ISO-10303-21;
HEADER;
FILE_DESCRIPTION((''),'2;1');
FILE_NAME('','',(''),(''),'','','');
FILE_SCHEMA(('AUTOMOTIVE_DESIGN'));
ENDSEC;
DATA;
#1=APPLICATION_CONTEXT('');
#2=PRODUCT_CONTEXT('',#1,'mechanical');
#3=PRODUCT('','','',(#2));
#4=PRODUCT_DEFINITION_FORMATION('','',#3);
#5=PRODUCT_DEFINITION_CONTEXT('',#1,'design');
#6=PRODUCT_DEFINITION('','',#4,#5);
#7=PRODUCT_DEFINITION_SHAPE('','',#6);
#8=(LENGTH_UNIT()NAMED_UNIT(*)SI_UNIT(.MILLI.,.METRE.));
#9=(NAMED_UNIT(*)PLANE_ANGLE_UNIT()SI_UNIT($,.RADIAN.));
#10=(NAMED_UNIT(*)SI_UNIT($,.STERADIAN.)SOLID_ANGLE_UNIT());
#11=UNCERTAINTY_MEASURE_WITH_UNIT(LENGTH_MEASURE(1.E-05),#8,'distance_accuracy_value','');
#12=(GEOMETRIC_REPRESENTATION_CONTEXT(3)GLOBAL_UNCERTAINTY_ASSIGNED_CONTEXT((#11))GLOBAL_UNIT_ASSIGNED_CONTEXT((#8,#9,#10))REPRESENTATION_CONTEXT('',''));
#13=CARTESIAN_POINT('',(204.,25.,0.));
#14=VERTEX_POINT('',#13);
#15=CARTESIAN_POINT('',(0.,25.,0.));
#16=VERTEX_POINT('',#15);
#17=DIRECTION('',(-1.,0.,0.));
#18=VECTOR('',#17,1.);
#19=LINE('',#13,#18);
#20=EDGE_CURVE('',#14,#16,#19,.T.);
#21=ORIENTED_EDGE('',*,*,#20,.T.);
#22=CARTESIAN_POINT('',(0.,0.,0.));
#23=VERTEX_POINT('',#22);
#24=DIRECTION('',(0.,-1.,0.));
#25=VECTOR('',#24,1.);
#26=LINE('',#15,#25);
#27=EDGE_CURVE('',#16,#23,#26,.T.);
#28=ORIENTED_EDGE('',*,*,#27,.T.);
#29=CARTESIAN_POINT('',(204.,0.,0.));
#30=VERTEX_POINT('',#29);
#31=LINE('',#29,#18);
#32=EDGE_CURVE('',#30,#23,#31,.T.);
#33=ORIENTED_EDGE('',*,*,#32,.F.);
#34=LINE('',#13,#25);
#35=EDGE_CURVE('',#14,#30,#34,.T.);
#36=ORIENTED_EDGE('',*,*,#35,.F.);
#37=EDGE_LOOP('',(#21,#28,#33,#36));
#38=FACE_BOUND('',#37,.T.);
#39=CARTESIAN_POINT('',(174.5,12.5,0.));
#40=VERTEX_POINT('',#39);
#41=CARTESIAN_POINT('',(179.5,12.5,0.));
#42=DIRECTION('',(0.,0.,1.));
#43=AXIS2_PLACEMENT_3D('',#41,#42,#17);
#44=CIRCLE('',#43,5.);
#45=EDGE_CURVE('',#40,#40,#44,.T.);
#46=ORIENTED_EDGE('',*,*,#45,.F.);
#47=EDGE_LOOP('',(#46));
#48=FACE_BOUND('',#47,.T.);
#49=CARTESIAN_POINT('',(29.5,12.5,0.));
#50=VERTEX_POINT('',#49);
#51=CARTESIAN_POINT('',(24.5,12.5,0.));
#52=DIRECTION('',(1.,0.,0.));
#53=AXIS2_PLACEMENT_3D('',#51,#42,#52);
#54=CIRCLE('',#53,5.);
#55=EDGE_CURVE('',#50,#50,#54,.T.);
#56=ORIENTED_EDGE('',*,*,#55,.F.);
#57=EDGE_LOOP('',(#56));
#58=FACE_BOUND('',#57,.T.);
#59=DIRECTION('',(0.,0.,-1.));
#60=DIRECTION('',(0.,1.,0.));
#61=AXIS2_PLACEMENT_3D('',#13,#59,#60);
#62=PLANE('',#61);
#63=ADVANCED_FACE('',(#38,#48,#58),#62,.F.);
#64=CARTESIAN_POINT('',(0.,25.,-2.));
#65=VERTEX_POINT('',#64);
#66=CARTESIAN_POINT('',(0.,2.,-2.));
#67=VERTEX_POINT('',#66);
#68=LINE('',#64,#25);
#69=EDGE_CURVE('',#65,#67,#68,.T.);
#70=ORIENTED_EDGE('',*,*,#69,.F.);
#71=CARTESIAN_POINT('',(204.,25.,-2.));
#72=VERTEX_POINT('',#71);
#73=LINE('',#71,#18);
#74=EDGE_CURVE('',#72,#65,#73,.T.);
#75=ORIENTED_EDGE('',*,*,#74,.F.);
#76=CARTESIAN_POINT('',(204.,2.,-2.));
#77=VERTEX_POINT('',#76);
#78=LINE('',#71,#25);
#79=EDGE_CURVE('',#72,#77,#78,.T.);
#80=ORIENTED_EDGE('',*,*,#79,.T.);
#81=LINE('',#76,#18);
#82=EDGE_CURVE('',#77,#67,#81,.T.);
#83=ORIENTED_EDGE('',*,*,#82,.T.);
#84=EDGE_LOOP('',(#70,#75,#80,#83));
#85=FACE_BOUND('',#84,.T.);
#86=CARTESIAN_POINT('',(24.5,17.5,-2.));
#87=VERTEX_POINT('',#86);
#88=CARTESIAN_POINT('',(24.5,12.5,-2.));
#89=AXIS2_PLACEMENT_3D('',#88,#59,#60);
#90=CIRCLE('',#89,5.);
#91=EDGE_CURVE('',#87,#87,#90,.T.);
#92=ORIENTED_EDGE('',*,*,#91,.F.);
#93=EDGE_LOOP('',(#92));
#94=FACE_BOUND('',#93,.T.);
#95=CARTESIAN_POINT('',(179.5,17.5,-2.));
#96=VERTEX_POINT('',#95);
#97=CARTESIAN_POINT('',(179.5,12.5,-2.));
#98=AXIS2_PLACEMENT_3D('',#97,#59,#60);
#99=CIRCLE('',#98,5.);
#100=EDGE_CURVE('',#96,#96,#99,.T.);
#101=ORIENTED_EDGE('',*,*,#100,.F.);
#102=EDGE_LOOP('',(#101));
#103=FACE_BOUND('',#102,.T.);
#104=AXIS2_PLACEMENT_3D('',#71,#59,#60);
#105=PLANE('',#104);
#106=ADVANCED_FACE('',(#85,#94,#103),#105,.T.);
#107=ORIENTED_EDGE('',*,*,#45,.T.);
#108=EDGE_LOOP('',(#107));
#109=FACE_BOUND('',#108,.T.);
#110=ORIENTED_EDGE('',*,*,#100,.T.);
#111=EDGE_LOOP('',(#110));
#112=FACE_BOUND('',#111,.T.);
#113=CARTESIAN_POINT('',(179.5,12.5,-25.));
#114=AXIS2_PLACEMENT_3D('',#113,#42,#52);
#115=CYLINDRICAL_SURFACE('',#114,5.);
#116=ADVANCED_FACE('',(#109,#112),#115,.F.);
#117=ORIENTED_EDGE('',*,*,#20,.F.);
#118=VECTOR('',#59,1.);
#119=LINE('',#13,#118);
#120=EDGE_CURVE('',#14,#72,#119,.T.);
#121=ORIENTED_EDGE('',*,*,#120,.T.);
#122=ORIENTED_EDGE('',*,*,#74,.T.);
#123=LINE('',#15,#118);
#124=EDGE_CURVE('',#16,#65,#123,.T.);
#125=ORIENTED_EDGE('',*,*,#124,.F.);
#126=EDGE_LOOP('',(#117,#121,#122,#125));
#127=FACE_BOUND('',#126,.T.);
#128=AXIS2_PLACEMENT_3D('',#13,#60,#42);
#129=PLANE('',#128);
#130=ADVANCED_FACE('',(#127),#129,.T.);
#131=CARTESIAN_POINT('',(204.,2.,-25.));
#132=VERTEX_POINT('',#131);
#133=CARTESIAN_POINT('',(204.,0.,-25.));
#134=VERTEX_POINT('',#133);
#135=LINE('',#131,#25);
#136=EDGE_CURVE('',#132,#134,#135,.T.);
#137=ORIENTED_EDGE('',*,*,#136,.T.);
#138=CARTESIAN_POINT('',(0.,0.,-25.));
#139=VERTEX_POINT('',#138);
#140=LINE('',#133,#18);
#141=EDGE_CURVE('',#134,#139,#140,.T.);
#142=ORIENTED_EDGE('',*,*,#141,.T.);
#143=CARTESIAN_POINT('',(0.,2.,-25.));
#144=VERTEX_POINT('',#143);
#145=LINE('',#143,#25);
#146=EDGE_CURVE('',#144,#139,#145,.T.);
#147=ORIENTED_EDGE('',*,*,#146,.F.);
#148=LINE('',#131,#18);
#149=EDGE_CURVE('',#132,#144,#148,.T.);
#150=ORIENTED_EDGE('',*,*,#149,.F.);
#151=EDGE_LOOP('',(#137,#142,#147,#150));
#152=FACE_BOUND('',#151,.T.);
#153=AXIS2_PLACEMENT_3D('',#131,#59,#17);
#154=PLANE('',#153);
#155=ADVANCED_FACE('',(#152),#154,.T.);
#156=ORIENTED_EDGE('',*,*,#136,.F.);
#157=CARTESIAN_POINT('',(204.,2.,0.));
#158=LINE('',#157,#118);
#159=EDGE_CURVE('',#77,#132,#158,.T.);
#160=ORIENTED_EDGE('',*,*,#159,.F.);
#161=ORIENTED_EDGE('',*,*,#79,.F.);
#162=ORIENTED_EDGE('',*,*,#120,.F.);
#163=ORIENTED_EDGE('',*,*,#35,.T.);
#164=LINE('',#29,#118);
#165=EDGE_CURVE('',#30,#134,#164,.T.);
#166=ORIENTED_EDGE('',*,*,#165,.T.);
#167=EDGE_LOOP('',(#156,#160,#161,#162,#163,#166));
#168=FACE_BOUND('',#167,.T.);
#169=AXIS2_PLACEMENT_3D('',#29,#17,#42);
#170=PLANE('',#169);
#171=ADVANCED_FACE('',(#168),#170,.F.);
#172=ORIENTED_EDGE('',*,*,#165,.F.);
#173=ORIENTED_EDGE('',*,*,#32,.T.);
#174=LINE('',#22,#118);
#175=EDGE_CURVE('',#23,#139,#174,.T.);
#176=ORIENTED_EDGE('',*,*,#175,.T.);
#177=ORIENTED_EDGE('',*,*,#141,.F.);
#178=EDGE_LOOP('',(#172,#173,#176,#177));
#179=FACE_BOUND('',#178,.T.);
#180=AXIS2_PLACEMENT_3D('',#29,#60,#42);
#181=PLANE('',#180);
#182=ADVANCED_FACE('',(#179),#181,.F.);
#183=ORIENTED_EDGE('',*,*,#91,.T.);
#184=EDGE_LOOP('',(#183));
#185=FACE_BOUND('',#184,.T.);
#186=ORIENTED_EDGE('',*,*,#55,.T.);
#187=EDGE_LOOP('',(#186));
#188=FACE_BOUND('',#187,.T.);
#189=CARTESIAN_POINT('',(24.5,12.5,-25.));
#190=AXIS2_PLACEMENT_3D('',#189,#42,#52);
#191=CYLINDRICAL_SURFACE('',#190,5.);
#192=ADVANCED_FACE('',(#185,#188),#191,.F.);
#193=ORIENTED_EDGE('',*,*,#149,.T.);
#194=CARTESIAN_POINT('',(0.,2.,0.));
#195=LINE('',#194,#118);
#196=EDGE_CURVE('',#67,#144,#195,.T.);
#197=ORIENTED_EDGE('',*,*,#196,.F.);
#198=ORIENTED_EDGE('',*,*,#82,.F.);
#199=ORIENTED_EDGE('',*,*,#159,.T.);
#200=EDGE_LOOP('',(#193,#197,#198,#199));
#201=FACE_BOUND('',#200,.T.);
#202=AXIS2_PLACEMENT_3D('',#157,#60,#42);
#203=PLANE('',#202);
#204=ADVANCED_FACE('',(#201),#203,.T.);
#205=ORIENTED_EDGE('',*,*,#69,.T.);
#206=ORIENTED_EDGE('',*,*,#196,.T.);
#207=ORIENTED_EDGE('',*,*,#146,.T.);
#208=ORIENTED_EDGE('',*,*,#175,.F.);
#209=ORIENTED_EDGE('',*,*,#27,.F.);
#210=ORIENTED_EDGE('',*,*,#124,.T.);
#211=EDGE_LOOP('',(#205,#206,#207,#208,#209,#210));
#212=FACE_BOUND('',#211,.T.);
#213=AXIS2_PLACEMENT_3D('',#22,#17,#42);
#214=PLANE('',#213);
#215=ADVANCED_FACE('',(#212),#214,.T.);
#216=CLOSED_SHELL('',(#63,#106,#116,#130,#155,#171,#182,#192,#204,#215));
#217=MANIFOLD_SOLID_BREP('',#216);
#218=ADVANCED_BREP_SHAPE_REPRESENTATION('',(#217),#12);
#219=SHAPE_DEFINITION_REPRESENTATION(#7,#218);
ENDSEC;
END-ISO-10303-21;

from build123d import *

# Parameters (mm, degrees)
EXTRUDE_1_DEPTH     = 204
SKETCH_2_R          = 5
CUT_EXTRUDE_1_DEPTH = 26


with BuildPart() as part:
    # Эскиз1 → Вытянуть-Тонкостенный1 (new body)
    with BuildSketch(Plane(origin=(0, 0, 0), x_dir=(0, 0, -1), z_dir=(1, 0, 0))):
        Polygon((0, 25), (0, 0), (25, 0), (25, 2), (2, 2), (2, 25), align=None)
    extrude(amount=EXTRUDE_1_DEPTH)

    # Эскиз2 → Вырез-Вытянуть1 (cut, through all)
    with BuildSketch(Plane.XY):
        with Locations((24.5, 12.5)):
            Circle(SKETCH_2_R)
        with Locations((179.5, 12.5)):
            Circle(SKETCH_2_R)
    extrude(amount=-CUT_EXTRUDE_1_DEPTH, mode=Mode.SUBTRACT)


solid = part.part
